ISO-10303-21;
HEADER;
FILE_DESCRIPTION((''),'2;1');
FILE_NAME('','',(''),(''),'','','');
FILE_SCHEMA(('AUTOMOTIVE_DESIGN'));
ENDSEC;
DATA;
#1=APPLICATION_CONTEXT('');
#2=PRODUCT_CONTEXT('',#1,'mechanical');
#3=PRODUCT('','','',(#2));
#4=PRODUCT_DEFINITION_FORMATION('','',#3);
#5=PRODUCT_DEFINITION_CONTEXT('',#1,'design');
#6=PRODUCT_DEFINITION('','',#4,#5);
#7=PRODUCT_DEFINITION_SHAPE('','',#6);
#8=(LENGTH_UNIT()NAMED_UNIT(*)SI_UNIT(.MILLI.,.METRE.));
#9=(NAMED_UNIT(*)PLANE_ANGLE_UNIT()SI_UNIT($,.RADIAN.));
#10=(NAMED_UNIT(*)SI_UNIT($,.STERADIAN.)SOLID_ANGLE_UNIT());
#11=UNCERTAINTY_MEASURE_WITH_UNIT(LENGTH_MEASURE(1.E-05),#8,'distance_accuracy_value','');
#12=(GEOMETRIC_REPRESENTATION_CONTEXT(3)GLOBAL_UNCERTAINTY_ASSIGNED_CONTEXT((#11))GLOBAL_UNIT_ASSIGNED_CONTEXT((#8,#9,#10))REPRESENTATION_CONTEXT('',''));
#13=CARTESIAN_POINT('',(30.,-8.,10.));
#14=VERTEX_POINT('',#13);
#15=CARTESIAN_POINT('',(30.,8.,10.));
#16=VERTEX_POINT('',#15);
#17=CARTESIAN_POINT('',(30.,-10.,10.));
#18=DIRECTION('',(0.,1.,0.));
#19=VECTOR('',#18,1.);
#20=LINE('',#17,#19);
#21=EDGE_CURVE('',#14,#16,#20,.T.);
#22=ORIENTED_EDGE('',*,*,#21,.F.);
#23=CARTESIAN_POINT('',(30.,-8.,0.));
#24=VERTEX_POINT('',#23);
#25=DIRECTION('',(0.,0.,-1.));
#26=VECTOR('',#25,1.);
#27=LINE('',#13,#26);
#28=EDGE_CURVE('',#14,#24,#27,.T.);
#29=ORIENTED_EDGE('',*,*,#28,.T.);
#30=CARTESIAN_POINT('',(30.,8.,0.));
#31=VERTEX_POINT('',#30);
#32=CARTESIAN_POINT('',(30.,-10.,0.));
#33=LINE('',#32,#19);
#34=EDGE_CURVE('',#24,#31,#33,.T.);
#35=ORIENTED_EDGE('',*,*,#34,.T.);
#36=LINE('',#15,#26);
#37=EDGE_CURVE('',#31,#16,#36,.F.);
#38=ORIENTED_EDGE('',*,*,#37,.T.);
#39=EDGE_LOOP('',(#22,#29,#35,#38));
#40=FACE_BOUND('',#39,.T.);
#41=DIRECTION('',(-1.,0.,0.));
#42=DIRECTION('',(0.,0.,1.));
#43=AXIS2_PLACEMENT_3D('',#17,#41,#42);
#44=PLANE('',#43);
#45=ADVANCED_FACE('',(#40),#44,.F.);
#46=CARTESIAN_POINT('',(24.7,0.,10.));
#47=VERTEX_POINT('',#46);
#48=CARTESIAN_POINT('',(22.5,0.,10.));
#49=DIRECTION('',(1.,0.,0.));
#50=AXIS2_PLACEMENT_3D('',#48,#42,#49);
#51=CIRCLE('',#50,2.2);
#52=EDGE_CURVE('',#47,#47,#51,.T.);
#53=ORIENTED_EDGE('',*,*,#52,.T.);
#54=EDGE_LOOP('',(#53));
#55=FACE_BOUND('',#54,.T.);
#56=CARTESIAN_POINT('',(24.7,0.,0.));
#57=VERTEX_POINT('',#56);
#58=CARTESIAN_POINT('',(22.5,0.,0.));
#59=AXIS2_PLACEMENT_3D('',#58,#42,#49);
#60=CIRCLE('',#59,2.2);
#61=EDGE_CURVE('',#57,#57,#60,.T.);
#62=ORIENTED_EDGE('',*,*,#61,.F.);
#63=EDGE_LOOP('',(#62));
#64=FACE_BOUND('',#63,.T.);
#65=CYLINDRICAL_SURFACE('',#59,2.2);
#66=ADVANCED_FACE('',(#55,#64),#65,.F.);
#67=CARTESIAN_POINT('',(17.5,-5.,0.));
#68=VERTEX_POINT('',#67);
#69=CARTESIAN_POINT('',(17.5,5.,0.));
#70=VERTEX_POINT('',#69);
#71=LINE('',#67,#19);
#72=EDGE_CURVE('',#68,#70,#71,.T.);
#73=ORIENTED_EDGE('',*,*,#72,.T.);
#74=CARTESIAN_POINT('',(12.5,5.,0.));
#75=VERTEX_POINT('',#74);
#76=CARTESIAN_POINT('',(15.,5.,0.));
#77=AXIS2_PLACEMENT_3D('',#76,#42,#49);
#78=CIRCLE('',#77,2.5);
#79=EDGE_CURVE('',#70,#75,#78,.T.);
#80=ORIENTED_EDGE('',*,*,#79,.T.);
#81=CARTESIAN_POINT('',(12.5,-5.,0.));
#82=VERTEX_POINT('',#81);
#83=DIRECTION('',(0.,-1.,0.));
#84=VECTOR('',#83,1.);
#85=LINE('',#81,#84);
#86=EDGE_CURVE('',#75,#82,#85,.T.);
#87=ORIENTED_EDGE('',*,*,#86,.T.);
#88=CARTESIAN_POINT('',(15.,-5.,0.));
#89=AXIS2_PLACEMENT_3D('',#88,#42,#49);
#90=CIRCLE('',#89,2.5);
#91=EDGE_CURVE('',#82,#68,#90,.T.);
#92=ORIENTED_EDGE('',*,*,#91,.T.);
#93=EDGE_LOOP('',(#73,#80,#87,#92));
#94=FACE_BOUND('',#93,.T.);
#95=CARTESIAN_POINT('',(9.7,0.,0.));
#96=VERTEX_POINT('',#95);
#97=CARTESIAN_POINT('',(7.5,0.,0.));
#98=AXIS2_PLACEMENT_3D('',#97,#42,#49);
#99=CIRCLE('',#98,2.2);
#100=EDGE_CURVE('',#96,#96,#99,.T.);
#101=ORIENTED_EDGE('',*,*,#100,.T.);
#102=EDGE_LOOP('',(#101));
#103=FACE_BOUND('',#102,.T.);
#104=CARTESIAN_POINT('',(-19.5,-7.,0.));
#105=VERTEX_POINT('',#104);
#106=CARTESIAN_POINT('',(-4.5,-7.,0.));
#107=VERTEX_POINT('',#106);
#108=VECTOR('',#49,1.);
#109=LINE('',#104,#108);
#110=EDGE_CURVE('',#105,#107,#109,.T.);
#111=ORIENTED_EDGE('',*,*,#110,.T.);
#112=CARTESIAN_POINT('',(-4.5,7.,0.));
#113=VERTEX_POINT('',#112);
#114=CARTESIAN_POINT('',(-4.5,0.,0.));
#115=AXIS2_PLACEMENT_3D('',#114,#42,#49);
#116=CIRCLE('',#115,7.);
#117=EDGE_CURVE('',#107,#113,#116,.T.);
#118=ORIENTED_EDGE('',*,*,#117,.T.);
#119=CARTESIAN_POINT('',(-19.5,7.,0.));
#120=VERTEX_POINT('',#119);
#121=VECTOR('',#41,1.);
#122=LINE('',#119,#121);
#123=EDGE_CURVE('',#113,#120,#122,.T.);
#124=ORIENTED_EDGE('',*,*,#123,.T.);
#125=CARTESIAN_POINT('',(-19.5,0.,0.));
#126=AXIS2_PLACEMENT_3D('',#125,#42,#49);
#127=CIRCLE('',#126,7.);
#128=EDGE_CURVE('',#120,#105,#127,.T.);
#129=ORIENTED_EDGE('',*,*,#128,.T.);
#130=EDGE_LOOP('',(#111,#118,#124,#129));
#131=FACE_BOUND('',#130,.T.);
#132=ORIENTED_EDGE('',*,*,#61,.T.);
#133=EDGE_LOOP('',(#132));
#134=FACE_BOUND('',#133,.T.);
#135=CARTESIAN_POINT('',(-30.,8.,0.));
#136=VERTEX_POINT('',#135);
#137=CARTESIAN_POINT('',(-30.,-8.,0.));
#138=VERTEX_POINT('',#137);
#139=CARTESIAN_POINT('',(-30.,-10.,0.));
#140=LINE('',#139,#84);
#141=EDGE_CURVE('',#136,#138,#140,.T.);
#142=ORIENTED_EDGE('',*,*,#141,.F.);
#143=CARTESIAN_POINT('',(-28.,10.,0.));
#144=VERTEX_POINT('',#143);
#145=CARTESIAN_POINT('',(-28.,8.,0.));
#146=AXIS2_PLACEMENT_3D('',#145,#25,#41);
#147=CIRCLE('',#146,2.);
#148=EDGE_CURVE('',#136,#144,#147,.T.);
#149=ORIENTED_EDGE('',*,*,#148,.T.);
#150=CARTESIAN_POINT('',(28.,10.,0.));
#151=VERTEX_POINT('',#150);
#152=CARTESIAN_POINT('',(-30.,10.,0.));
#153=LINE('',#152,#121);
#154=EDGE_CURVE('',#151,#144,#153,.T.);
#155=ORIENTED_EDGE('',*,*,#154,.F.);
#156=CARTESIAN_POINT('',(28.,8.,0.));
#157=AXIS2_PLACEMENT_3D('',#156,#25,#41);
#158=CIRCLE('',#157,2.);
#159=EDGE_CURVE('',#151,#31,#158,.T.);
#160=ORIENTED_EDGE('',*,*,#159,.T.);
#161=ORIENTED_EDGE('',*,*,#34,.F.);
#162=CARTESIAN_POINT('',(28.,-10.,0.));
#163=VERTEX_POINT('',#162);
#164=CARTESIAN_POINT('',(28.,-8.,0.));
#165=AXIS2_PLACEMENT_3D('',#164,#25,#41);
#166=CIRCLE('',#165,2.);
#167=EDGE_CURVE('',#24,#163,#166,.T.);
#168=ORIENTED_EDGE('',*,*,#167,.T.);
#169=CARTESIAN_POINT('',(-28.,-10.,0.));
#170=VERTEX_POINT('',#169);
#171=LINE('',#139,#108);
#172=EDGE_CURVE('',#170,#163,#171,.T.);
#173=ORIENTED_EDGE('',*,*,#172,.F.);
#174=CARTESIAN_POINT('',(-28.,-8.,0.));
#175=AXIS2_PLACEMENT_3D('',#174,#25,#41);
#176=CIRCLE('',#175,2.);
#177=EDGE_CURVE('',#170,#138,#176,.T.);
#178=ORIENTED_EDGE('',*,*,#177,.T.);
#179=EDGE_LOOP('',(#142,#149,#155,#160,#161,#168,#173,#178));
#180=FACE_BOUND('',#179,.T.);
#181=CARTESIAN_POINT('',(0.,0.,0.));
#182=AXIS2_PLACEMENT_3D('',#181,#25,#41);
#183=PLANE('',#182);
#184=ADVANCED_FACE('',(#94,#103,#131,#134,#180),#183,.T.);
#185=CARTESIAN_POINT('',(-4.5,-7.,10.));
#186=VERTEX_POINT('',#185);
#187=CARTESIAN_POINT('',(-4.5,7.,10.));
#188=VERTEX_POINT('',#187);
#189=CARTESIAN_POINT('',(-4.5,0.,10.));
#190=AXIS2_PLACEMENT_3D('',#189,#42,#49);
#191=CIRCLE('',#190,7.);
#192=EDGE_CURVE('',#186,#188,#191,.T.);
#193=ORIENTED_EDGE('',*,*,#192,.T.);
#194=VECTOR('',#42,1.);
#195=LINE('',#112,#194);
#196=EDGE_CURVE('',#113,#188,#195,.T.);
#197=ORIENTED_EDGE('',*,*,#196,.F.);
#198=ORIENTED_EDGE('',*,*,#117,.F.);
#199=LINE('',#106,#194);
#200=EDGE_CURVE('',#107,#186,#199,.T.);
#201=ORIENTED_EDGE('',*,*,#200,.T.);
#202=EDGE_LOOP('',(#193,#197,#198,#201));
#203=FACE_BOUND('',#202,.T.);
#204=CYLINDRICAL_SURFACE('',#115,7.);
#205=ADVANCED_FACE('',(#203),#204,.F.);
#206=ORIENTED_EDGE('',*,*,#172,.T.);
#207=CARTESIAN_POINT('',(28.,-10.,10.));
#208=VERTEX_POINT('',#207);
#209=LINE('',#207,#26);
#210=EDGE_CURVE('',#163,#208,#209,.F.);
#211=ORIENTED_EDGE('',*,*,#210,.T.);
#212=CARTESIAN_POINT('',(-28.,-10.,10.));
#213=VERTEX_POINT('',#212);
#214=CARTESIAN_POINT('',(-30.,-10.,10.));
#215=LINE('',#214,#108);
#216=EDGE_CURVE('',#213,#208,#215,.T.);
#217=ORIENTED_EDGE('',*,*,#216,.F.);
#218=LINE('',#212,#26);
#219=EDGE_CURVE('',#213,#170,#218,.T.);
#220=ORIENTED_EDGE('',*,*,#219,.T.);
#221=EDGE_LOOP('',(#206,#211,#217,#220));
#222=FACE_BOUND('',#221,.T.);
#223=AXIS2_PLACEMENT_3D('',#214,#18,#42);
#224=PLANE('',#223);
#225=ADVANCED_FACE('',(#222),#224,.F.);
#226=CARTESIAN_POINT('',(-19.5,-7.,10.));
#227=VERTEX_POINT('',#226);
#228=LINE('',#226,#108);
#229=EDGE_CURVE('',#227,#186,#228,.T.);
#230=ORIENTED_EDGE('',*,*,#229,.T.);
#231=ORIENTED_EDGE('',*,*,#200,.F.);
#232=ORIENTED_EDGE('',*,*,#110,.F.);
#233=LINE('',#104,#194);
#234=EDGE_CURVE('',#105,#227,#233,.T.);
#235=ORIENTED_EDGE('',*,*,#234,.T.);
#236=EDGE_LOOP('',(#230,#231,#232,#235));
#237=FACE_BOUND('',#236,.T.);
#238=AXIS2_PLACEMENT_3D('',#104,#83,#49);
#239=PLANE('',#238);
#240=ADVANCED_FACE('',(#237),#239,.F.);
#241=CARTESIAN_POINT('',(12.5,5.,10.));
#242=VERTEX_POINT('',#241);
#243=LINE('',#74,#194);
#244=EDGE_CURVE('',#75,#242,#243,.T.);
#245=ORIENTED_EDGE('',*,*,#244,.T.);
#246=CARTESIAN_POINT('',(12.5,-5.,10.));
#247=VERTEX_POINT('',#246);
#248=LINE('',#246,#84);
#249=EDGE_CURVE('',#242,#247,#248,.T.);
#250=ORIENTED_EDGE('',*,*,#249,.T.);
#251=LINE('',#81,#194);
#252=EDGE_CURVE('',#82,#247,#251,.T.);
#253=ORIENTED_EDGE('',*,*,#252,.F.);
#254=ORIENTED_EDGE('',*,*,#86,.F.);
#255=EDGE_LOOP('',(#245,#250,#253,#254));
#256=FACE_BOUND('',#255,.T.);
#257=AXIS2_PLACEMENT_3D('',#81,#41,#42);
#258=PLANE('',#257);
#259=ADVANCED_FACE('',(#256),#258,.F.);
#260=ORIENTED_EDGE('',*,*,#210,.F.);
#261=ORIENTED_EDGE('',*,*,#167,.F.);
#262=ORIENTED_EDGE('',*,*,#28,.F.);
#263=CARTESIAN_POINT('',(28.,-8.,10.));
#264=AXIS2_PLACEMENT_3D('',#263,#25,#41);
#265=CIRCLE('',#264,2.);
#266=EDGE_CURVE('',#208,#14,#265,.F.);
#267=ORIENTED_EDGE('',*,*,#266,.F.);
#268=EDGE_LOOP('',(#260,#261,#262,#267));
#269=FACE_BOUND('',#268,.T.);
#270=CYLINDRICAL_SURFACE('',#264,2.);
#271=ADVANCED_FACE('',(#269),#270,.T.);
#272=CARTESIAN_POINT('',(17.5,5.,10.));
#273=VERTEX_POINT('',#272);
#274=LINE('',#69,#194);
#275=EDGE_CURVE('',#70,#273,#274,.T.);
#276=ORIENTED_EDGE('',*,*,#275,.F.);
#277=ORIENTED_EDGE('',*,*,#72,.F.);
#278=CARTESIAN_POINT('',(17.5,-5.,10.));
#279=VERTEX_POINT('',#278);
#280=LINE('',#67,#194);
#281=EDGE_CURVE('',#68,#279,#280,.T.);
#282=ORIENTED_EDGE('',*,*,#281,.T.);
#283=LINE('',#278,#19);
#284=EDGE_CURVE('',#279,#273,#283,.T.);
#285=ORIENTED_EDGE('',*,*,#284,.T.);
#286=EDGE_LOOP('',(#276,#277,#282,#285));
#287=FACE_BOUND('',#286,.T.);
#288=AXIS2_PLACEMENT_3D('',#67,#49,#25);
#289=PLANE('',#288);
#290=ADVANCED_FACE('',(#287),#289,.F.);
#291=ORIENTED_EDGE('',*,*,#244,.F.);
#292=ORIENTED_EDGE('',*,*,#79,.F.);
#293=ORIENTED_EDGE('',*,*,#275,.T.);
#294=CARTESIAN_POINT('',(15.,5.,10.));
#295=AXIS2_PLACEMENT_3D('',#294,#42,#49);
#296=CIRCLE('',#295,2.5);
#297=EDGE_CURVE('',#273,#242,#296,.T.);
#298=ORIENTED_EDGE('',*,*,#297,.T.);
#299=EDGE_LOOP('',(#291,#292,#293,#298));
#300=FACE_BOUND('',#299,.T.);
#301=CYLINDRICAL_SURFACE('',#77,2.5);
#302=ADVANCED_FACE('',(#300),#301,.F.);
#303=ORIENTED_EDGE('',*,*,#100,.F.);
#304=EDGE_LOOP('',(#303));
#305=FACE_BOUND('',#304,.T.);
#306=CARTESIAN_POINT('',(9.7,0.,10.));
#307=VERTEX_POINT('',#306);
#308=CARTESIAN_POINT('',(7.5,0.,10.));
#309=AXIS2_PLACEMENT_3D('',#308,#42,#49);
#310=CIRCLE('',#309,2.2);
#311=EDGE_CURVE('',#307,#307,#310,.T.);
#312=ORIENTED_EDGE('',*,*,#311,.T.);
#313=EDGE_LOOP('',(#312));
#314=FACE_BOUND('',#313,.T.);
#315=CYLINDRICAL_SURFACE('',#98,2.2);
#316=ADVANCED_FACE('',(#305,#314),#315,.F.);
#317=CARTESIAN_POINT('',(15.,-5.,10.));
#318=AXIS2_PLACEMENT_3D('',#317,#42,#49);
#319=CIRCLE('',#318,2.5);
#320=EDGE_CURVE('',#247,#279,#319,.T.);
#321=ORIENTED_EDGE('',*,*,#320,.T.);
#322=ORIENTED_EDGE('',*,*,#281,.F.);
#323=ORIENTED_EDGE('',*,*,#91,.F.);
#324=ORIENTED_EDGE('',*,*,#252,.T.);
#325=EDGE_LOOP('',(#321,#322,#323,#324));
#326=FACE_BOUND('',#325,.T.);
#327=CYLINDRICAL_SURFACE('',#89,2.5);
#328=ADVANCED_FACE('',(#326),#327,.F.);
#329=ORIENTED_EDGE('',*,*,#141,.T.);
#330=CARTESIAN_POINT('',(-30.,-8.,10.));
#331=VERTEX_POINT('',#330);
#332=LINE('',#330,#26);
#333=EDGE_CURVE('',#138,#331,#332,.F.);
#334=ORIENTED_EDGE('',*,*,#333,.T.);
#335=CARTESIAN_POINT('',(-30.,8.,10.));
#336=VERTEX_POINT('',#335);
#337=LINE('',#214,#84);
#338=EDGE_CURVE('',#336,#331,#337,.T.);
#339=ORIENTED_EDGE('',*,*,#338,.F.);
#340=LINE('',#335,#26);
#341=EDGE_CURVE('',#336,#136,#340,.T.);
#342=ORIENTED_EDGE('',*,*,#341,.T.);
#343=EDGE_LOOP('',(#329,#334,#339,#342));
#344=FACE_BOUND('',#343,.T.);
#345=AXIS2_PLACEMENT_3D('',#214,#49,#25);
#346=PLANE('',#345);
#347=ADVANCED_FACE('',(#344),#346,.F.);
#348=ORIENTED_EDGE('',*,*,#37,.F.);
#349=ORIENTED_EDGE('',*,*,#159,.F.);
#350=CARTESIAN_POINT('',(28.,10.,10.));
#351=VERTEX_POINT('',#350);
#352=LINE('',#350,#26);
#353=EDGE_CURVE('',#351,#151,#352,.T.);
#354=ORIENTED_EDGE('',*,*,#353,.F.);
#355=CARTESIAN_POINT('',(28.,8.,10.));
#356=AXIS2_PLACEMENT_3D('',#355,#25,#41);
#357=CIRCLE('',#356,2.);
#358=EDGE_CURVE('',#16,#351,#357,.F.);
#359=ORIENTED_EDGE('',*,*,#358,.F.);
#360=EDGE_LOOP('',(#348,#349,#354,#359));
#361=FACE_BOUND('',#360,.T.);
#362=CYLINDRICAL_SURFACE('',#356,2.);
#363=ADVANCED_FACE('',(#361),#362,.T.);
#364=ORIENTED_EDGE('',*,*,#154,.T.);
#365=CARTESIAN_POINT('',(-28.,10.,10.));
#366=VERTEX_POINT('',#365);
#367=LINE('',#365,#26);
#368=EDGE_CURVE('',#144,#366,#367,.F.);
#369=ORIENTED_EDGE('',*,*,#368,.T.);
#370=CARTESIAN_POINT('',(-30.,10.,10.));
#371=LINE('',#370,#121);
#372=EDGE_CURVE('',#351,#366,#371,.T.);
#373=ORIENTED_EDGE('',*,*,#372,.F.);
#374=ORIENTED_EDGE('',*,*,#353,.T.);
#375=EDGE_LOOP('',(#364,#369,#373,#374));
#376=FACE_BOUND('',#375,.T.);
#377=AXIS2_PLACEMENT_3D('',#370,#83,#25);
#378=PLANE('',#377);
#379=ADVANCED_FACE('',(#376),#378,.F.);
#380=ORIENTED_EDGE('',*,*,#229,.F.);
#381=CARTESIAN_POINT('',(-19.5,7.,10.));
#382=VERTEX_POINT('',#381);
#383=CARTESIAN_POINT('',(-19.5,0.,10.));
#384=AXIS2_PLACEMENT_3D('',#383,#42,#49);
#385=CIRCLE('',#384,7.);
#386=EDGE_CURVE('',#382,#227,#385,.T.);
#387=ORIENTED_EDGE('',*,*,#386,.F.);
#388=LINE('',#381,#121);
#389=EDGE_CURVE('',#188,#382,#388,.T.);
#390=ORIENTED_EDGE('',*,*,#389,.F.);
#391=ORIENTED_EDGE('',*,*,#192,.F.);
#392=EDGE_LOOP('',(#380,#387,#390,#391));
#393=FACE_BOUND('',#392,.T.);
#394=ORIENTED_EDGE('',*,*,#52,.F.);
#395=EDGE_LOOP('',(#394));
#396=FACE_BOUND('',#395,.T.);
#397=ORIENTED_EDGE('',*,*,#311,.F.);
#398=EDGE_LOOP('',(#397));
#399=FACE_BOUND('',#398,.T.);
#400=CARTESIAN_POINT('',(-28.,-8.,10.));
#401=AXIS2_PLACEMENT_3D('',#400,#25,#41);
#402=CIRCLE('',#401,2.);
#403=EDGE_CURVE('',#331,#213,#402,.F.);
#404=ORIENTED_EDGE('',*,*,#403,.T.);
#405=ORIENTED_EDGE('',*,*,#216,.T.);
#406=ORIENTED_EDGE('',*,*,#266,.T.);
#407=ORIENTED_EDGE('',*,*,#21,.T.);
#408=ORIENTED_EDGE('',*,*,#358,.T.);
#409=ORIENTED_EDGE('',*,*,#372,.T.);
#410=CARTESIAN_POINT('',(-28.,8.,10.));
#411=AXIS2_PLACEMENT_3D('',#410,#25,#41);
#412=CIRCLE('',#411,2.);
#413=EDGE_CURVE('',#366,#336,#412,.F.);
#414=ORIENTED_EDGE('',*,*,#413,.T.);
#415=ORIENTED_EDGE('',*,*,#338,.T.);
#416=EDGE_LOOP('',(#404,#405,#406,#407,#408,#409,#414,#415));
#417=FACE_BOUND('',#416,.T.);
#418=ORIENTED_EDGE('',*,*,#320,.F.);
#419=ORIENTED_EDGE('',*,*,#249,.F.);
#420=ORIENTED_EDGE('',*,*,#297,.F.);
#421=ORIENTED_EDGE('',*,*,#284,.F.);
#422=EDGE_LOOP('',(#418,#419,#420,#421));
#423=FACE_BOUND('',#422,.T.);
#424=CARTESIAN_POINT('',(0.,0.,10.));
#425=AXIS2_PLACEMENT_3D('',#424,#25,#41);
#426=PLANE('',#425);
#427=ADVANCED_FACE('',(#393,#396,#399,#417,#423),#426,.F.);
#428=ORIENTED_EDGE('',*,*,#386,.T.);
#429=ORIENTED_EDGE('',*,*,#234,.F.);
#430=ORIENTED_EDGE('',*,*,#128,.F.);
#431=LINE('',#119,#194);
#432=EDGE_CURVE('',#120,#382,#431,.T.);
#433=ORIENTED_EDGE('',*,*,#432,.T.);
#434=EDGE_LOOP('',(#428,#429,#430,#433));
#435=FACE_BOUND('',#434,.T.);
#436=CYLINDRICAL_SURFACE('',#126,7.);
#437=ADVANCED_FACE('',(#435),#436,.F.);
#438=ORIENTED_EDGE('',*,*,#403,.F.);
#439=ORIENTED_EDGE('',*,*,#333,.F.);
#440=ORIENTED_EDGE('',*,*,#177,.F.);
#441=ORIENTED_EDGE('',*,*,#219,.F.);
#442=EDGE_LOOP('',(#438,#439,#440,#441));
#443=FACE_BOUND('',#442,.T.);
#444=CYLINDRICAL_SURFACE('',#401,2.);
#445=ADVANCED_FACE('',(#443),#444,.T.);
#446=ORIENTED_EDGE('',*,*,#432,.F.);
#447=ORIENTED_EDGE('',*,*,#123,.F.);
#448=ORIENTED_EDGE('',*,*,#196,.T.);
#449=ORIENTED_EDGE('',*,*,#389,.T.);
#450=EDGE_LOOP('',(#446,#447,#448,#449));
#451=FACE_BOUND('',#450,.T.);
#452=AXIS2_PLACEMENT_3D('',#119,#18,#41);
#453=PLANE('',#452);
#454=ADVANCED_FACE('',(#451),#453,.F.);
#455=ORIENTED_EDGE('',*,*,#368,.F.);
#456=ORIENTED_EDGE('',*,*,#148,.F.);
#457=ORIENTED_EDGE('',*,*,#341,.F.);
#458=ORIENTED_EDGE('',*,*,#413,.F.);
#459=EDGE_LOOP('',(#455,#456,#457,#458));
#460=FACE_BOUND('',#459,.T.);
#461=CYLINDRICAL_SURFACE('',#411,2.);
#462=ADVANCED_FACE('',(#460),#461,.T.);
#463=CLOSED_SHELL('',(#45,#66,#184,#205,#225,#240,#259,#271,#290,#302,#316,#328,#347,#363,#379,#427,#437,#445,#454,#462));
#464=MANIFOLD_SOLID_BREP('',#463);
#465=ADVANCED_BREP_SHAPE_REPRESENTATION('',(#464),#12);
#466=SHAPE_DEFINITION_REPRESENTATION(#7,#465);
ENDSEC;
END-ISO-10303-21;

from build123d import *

# Parameters (mm, degrees)
SKETCH_1_W          = 60
SKETCH_1_H          = 20
EXTRUDE_1_DEPTH     = 10
FILLET_1_R          = 2
SKETCH_2_R          = 2.2
CUT_EXTRUDE_1_DEPTH = 34.166247904
CUT_EXTRUDE_2_DEPTH = 34.166247904


with BuildPart() as part:
    # 草图1 → 凸台-拉伸1 (new body)
    with BuildSketch(Plane.XY):
        Rectangle(SKETCH_1_W, SKETCH_1_H)
    extrude(amount=EXTRUDE_1_DEPTH)

    # 圆角1
    fillet_1_edges = [part.edges().sort_by_distance(p)[0] for p in [
        (30, -10, 5),
        (-30, -10, 5),
        (-30, 10, 5),
        (30, 10, 5),
    ]]
    fillet(fillet_1_edges, radius=FILLET_1_R)

    # 草图2 → 切除-拉伸1 (cut, through all)
    with BuildSketch(Plane.XY.offset(10)):
        with Locations((22.5, 0)):
            Circle(SKETCH_2_R)
        with Locations((7.5, 0)):
            Circle(SKETCH_2_R)
    extrude(amount=-CUT_EXTRUDE_1_DEPTH, mode=Mode.SUBTRACT)

    # 草图3 → 切除-拉伸2 (cut, through all)
    with BuildSketch(Plane.XY.offset(10)):
        with BuildLine():
            Line((-19.5, 7), (-4.5, 7))
            ThreePointArc((-4.5, 7), (2.5, 0), (-4.5, -7))
            Line((-4.5, -7), (-19.5, -7))
            ThreePointArc((-19.5, -7), (-26.5, 0), (-19.5, 7))
        make_face()
        with BuildLine():
            Line((12.5, -5), (12.5, 5))
            ThreePointArc((12.5, 5), (15, 7.5), (17.5, 5))
            Line((17.5, 5), (17.5, -5))
            ThreePointArc((17.5, -5), (15, -7.5), (12.5, -5))
        make_face()
    extrude(amount=-CUT_EXTRUDE_2_DEPTH, mode=Mode.SUBTRACT)


solid = part.part
